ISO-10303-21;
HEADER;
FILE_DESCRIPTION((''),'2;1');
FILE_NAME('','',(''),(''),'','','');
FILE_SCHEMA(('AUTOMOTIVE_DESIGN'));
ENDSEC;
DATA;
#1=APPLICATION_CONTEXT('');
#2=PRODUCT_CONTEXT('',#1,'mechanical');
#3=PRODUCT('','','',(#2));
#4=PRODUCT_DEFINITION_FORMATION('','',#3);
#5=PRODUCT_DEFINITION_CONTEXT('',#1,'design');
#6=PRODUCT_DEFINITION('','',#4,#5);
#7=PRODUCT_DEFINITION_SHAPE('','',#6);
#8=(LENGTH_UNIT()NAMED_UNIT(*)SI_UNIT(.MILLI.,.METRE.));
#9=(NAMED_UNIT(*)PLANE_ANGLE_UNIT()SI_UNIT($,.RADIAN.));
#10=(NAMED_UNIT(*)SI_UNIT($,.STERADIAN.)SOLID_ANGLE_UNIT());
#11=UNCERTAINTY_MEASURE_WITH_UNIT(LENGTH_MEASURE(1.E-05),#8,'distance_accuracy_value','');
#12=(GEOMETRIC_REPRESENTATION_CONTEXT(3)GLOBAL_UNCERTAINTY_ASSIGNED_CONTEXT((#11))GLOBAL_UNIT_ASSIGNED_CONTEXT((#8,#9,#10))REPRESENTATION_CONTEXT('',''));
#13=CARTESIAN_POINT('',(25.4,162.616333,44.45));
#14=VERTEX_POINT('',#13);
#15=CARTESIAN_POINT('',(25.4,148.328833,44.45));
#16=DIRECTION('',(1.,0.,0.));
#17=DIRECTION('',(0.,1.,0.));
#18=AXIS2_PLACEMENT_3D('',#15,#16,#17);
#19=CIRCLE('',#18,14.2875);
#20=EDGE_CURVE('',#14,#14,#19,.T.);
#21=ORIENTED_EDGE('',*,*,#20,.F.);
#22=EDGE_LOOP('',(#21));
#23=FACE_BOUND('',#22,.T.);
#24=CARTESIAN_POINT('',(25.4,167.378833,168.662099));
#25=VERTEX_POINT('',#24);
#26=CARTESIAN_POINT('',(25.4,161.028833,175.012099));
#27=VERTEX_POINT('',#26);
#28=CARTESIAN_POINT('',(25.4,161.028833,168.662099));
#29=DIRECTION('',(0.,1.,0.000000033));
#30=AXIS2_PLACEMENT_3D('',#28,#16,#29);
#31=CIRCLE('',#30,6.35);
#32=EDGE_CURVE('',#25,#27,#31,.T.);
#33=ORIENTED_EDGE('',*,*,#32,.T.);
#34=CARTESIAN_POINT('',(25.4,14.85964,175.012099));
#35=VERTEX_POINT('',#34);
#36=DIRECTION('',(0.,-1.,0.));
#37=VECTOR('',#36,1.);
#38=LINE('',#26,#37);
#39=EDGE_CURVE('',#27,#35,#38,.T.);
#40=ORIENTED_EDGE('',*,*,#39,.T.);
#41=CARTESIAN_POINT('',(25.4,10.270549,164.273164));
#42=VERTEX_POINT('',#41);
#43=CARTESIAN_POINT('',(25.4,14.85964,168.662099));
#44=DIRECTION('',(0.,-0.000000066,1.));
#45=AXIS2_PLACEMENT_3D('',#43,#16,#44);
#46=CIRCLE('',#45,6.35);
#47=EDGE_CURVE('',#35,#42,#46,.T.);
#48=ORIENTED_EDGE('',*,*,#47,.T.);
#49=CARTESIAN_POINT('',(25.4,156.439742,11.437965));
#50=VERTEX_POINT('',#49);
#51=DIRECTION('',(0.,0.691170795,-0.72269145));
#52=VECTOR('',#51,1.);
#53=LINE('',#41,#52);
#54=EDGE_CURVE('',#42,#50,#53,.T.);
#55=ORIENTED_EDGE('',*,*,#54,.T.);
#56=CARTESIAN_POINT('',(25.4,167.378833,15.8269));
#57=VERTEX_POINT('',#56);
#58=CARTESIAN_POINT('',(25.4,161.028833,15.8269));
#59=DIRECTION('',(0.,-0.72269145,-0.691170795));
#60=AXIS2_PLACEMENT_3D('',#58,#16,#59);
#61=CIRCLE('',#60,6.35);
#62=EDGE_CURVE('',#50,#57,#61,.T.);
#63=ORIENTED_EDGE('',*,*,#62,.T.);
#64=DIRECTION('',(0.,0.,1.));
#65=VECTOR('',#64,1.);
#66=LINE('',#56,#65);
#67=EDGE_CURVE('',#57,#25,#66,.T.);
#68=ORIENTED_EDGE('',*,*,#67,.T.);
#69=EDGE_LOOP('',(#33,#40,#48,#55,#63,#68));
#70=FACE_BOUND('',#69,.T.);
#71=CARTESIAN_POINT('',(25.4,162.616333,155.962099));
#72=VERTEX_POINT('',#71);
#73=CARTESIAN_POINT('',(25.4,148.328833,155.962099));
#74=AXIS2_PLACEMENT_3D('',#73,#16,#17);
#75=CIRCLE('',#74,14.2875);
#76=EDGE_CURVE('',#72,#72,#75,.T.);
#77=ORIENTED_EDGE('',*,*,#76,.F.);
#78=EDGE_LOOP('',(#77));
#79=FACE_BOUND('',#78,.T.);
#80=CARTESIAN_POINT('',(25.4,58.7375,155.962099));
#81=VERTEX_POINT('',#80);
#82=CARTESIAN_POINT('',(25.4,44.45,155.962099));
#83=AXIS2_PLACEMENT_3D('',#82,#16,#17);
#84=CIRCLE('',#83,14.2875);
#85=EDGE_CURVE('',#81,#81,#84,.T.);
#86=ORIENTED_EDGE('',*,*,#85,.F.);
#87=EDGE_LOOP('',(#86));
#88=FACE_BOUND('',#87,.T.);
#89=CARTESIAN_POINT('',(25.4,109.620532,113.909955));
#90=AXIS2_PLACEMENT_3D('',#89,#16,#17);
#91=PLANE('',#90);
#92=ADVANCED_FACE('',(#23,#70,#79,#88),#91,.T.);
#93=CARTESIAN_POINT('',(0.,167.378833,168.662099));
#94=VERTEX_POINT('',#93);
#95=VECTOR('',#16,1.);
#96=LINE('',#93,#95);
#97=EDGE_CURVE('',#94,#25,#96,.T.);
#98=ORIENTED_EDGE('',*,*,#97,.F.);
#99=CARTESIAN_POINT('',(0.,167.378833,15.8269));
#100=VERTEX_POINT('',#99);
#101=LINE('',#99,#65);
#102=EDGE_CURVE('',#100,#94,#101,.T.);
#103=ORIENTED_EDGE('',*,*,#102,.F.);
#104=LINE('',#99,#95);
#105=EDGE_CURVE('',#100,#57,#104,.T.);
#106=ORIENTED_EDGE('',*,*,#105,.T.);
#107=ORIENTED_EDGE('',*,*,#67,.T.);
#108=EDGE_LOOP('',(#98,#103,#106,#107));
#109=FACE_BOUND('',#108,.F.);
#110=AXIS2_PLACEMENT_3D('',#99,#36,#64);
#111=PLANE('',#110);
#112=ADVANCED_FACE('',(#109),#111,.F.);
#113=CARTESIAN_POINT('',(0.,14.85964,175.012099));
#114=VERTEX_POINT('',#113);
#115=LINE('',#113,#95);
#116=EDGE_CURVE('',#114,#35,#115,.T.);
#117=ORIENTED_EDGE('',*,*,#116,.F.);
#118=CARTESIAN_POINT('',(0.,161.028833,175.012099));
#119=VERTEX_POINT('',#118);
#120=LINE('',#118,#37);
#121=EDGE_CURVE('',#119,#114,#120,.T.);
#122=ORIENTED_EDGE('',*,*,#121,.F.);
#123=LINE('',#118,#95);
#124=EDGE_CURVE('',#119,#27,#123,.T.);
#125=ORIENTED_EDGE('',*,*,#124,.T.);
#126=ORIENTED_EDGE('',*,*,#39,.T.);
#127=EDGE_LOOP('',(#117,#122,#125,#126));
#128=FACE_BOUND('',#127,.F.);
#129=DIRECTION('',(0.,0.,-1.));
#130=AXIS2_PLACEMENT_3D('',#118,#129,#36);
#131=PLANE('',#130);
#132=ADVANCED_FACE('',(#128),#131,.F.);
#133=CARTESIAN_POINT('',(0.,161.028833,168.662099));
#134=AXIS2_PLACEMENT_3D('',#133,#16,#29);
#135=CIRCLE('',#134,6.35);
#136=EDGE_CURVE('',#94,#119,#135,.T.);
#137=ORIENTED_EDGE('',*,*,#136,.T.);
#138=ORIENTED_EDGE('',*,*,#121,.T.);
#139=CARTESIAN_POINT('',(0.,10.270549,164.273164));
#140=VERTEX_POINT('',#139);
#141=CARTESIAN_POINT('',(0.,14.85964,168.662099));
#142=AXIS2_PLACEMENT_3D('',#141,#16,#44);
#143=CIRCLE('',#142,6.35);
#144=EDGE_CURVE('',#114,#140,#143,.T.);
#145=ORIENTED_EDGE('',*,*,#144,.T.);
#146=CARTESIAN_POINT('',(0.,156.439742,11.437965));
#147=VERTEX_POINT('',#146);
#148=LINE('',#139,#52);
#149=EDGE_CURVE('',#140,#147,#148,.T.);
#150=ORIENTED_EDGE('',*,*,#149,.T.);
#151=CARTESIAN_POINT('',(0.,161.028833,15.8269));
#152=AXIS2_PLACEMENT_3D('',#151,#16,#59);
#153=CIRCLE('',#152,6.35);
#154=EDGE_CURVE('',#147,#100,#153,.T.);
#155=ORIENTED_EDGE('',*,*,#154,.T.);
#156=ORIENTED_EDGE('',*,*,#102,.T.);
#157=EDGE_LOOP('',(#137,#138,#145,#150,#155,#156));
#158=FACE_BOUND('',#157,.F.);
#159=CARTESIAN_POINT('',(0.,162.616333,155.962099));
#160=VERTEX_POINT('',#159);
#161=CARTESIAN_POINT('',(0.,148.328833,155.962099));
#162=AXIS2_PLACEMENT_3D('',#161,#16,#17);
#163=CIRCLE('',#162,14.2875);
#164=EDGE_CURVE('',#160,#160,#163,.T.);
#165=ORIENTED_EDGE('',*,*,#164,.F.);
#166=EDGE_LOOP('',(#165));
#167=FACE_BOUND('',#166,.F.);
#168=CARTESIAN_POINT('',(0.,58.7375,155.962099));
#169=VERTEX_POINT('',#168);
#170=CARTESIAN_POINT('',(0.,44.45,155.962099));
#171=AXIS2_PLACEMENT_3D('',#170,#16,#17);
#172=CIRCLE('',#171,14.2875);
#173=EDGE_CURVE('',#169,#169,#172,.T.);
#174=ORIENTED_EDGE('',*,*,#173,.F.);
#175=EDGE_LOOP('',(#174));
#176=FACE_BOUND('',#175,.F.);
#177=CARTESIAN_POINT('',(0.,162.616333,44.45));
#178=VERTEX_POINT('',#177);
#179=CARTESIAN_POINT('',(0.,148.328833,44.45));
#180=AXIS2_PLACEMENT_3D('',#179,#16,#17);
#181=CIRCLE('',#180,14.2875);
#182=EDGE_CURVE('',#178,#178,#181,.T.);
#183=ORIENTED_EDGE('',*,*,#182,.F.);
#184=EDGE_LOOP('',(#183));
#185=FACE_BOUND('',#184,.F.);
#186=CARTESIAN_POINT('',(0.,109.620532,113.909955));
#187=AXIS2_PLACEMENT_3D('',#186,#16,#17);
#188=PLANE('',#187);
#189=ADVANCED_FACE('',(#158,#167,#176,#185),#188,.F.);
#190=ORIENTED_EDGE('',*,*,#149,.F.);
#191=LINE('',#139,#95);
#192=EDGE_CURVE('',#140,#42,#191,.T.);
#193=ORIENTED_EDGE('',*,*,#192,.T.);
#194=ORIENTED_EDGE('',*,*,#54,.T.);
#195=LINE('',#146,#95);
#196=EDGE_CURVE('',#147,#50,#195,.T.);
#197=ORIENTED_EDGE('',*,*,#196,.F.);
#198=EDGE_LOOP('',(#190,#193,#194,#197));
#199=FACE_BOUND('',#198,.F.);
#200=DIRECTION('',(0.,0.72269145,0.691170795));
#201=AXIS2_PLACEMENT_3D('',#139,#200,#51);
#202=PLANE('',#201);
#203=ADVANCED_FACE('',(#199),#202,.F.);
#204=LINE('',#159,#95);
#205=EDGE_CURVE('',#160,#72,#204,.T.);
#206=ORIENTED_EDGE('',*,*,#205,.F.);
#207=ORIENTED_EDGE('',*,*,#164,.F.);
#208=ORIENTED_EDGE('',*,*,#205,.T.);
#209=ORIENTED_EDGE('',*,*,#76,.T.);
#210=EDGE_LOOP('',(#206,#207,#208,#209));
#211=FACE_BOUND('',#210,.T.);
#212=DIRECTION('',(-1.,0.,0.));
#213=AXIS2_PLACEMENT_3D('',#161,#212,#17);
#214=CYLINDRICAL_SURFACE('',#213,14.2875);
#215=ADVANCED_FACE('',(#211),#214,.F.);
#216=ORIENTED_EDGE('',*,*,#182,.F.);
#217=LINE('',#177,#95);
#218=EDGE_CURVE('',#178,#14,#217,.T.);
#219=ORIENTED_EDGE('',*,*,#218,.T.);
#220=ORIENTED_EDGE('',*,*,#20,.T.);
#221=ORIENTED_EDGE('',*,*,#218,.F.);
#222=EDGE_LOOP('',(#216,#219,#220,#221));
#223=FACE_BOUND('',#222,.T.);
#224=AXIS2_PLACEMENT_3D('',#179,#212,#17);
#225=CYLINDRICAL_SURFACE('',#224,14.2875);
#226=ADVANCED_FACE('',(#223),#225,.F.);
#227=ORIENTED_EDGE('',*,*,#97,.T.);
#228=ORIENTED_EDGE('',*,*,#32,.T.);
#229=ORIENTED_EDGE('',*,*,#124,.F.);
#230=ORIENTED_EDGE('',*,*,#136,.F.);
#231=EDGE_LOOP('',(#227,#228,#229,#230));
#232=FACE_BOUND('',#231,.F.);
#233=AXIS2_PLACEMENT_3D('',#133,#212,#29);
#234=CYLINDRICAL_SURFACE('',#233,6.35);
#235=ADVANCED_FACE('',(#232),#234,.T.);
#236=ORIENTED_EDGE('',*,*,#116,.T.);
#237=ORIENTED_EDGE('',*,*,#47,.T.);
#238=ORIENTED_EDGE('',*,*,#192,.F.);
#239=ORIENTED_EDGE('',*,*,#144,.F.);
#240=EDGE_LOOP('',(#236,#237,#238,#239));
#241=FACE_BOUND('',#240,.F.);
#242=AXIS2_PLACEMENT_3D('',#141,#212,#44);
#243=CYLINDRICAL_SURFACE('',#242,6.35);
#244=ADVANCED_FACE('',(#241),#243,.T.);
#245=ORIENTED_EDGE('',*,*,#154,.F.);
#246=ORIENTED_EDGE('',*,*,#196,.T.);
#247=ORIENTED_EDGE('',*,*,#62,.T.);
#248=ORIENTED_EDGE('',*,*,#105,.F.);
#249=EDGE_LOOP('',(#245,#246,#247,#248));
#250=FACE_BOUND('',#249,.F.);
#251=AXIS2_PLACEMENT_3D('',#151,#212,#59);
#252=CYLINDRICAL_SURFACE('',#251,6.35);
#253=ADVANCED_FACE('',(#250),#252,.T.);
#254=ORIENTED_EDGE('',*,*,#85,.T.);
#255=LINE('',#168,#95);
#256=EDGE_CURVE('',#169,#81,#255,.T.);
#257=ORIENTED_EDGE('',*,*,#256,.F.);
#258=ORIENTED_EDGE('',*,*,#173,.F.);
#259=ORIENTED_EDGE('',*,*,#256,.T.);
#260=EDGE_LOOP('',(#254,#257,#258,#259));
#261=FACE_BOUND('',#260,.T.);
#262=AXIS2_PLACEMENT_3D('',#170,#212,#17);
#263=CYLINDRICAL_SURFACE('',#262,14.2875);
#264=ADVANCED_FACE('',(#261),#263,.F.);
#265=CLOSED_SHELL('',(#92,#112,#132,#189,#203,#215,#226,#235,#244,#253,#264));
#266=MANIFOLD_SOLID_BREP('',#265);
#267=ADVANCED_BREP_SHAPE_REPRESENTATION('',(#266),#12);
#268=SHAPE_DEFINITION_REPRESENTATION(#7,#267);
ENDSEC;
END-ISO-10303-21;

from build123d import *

# Parameters (mm, degrees)
F0_R     = 14.2875
F1_DEPTH = 25.4


with BuildPart() as f1:
    # F0 (on Right) → F1 (new body)
    with BuildSketch(Plane.YZ):
        with BuildLine():
            Line((161.028833, 175.012099), (14.85964, 175.012099))
            ThreePointArc((14.85964, 175.012099), (9.020452, 171.157371), (10.270549, 164.273164))
            Line((10.270549, 164.273164), (156.439742, 11.437965))
            ThreePointArc((156.439742, 11.437965), (163.393338, 9.933546), (167.378833, 15.8269))
            Line((167.378833, 15.8269), (167.378833, 168.662099))
            ThreePointArc((167.378833, 168.662099), (165.518961, 173.152227), (161.028833, 175.012099))
        make_face()
        with Locations((148.328833, 44.45)):
            Circle(F0_R, mode=Mode.SUBTRACT)
        with Locations((44.45, 155.962099)):
            Circle(F0_R, mode=Mode.SUBTRACT)
        with Locations((148.328833, 155.962099)):
            Circle(F0_R, mode=Mode.SUBTRACT)
    extrude(amount=F1_DEPTH)


solid = f1.part
